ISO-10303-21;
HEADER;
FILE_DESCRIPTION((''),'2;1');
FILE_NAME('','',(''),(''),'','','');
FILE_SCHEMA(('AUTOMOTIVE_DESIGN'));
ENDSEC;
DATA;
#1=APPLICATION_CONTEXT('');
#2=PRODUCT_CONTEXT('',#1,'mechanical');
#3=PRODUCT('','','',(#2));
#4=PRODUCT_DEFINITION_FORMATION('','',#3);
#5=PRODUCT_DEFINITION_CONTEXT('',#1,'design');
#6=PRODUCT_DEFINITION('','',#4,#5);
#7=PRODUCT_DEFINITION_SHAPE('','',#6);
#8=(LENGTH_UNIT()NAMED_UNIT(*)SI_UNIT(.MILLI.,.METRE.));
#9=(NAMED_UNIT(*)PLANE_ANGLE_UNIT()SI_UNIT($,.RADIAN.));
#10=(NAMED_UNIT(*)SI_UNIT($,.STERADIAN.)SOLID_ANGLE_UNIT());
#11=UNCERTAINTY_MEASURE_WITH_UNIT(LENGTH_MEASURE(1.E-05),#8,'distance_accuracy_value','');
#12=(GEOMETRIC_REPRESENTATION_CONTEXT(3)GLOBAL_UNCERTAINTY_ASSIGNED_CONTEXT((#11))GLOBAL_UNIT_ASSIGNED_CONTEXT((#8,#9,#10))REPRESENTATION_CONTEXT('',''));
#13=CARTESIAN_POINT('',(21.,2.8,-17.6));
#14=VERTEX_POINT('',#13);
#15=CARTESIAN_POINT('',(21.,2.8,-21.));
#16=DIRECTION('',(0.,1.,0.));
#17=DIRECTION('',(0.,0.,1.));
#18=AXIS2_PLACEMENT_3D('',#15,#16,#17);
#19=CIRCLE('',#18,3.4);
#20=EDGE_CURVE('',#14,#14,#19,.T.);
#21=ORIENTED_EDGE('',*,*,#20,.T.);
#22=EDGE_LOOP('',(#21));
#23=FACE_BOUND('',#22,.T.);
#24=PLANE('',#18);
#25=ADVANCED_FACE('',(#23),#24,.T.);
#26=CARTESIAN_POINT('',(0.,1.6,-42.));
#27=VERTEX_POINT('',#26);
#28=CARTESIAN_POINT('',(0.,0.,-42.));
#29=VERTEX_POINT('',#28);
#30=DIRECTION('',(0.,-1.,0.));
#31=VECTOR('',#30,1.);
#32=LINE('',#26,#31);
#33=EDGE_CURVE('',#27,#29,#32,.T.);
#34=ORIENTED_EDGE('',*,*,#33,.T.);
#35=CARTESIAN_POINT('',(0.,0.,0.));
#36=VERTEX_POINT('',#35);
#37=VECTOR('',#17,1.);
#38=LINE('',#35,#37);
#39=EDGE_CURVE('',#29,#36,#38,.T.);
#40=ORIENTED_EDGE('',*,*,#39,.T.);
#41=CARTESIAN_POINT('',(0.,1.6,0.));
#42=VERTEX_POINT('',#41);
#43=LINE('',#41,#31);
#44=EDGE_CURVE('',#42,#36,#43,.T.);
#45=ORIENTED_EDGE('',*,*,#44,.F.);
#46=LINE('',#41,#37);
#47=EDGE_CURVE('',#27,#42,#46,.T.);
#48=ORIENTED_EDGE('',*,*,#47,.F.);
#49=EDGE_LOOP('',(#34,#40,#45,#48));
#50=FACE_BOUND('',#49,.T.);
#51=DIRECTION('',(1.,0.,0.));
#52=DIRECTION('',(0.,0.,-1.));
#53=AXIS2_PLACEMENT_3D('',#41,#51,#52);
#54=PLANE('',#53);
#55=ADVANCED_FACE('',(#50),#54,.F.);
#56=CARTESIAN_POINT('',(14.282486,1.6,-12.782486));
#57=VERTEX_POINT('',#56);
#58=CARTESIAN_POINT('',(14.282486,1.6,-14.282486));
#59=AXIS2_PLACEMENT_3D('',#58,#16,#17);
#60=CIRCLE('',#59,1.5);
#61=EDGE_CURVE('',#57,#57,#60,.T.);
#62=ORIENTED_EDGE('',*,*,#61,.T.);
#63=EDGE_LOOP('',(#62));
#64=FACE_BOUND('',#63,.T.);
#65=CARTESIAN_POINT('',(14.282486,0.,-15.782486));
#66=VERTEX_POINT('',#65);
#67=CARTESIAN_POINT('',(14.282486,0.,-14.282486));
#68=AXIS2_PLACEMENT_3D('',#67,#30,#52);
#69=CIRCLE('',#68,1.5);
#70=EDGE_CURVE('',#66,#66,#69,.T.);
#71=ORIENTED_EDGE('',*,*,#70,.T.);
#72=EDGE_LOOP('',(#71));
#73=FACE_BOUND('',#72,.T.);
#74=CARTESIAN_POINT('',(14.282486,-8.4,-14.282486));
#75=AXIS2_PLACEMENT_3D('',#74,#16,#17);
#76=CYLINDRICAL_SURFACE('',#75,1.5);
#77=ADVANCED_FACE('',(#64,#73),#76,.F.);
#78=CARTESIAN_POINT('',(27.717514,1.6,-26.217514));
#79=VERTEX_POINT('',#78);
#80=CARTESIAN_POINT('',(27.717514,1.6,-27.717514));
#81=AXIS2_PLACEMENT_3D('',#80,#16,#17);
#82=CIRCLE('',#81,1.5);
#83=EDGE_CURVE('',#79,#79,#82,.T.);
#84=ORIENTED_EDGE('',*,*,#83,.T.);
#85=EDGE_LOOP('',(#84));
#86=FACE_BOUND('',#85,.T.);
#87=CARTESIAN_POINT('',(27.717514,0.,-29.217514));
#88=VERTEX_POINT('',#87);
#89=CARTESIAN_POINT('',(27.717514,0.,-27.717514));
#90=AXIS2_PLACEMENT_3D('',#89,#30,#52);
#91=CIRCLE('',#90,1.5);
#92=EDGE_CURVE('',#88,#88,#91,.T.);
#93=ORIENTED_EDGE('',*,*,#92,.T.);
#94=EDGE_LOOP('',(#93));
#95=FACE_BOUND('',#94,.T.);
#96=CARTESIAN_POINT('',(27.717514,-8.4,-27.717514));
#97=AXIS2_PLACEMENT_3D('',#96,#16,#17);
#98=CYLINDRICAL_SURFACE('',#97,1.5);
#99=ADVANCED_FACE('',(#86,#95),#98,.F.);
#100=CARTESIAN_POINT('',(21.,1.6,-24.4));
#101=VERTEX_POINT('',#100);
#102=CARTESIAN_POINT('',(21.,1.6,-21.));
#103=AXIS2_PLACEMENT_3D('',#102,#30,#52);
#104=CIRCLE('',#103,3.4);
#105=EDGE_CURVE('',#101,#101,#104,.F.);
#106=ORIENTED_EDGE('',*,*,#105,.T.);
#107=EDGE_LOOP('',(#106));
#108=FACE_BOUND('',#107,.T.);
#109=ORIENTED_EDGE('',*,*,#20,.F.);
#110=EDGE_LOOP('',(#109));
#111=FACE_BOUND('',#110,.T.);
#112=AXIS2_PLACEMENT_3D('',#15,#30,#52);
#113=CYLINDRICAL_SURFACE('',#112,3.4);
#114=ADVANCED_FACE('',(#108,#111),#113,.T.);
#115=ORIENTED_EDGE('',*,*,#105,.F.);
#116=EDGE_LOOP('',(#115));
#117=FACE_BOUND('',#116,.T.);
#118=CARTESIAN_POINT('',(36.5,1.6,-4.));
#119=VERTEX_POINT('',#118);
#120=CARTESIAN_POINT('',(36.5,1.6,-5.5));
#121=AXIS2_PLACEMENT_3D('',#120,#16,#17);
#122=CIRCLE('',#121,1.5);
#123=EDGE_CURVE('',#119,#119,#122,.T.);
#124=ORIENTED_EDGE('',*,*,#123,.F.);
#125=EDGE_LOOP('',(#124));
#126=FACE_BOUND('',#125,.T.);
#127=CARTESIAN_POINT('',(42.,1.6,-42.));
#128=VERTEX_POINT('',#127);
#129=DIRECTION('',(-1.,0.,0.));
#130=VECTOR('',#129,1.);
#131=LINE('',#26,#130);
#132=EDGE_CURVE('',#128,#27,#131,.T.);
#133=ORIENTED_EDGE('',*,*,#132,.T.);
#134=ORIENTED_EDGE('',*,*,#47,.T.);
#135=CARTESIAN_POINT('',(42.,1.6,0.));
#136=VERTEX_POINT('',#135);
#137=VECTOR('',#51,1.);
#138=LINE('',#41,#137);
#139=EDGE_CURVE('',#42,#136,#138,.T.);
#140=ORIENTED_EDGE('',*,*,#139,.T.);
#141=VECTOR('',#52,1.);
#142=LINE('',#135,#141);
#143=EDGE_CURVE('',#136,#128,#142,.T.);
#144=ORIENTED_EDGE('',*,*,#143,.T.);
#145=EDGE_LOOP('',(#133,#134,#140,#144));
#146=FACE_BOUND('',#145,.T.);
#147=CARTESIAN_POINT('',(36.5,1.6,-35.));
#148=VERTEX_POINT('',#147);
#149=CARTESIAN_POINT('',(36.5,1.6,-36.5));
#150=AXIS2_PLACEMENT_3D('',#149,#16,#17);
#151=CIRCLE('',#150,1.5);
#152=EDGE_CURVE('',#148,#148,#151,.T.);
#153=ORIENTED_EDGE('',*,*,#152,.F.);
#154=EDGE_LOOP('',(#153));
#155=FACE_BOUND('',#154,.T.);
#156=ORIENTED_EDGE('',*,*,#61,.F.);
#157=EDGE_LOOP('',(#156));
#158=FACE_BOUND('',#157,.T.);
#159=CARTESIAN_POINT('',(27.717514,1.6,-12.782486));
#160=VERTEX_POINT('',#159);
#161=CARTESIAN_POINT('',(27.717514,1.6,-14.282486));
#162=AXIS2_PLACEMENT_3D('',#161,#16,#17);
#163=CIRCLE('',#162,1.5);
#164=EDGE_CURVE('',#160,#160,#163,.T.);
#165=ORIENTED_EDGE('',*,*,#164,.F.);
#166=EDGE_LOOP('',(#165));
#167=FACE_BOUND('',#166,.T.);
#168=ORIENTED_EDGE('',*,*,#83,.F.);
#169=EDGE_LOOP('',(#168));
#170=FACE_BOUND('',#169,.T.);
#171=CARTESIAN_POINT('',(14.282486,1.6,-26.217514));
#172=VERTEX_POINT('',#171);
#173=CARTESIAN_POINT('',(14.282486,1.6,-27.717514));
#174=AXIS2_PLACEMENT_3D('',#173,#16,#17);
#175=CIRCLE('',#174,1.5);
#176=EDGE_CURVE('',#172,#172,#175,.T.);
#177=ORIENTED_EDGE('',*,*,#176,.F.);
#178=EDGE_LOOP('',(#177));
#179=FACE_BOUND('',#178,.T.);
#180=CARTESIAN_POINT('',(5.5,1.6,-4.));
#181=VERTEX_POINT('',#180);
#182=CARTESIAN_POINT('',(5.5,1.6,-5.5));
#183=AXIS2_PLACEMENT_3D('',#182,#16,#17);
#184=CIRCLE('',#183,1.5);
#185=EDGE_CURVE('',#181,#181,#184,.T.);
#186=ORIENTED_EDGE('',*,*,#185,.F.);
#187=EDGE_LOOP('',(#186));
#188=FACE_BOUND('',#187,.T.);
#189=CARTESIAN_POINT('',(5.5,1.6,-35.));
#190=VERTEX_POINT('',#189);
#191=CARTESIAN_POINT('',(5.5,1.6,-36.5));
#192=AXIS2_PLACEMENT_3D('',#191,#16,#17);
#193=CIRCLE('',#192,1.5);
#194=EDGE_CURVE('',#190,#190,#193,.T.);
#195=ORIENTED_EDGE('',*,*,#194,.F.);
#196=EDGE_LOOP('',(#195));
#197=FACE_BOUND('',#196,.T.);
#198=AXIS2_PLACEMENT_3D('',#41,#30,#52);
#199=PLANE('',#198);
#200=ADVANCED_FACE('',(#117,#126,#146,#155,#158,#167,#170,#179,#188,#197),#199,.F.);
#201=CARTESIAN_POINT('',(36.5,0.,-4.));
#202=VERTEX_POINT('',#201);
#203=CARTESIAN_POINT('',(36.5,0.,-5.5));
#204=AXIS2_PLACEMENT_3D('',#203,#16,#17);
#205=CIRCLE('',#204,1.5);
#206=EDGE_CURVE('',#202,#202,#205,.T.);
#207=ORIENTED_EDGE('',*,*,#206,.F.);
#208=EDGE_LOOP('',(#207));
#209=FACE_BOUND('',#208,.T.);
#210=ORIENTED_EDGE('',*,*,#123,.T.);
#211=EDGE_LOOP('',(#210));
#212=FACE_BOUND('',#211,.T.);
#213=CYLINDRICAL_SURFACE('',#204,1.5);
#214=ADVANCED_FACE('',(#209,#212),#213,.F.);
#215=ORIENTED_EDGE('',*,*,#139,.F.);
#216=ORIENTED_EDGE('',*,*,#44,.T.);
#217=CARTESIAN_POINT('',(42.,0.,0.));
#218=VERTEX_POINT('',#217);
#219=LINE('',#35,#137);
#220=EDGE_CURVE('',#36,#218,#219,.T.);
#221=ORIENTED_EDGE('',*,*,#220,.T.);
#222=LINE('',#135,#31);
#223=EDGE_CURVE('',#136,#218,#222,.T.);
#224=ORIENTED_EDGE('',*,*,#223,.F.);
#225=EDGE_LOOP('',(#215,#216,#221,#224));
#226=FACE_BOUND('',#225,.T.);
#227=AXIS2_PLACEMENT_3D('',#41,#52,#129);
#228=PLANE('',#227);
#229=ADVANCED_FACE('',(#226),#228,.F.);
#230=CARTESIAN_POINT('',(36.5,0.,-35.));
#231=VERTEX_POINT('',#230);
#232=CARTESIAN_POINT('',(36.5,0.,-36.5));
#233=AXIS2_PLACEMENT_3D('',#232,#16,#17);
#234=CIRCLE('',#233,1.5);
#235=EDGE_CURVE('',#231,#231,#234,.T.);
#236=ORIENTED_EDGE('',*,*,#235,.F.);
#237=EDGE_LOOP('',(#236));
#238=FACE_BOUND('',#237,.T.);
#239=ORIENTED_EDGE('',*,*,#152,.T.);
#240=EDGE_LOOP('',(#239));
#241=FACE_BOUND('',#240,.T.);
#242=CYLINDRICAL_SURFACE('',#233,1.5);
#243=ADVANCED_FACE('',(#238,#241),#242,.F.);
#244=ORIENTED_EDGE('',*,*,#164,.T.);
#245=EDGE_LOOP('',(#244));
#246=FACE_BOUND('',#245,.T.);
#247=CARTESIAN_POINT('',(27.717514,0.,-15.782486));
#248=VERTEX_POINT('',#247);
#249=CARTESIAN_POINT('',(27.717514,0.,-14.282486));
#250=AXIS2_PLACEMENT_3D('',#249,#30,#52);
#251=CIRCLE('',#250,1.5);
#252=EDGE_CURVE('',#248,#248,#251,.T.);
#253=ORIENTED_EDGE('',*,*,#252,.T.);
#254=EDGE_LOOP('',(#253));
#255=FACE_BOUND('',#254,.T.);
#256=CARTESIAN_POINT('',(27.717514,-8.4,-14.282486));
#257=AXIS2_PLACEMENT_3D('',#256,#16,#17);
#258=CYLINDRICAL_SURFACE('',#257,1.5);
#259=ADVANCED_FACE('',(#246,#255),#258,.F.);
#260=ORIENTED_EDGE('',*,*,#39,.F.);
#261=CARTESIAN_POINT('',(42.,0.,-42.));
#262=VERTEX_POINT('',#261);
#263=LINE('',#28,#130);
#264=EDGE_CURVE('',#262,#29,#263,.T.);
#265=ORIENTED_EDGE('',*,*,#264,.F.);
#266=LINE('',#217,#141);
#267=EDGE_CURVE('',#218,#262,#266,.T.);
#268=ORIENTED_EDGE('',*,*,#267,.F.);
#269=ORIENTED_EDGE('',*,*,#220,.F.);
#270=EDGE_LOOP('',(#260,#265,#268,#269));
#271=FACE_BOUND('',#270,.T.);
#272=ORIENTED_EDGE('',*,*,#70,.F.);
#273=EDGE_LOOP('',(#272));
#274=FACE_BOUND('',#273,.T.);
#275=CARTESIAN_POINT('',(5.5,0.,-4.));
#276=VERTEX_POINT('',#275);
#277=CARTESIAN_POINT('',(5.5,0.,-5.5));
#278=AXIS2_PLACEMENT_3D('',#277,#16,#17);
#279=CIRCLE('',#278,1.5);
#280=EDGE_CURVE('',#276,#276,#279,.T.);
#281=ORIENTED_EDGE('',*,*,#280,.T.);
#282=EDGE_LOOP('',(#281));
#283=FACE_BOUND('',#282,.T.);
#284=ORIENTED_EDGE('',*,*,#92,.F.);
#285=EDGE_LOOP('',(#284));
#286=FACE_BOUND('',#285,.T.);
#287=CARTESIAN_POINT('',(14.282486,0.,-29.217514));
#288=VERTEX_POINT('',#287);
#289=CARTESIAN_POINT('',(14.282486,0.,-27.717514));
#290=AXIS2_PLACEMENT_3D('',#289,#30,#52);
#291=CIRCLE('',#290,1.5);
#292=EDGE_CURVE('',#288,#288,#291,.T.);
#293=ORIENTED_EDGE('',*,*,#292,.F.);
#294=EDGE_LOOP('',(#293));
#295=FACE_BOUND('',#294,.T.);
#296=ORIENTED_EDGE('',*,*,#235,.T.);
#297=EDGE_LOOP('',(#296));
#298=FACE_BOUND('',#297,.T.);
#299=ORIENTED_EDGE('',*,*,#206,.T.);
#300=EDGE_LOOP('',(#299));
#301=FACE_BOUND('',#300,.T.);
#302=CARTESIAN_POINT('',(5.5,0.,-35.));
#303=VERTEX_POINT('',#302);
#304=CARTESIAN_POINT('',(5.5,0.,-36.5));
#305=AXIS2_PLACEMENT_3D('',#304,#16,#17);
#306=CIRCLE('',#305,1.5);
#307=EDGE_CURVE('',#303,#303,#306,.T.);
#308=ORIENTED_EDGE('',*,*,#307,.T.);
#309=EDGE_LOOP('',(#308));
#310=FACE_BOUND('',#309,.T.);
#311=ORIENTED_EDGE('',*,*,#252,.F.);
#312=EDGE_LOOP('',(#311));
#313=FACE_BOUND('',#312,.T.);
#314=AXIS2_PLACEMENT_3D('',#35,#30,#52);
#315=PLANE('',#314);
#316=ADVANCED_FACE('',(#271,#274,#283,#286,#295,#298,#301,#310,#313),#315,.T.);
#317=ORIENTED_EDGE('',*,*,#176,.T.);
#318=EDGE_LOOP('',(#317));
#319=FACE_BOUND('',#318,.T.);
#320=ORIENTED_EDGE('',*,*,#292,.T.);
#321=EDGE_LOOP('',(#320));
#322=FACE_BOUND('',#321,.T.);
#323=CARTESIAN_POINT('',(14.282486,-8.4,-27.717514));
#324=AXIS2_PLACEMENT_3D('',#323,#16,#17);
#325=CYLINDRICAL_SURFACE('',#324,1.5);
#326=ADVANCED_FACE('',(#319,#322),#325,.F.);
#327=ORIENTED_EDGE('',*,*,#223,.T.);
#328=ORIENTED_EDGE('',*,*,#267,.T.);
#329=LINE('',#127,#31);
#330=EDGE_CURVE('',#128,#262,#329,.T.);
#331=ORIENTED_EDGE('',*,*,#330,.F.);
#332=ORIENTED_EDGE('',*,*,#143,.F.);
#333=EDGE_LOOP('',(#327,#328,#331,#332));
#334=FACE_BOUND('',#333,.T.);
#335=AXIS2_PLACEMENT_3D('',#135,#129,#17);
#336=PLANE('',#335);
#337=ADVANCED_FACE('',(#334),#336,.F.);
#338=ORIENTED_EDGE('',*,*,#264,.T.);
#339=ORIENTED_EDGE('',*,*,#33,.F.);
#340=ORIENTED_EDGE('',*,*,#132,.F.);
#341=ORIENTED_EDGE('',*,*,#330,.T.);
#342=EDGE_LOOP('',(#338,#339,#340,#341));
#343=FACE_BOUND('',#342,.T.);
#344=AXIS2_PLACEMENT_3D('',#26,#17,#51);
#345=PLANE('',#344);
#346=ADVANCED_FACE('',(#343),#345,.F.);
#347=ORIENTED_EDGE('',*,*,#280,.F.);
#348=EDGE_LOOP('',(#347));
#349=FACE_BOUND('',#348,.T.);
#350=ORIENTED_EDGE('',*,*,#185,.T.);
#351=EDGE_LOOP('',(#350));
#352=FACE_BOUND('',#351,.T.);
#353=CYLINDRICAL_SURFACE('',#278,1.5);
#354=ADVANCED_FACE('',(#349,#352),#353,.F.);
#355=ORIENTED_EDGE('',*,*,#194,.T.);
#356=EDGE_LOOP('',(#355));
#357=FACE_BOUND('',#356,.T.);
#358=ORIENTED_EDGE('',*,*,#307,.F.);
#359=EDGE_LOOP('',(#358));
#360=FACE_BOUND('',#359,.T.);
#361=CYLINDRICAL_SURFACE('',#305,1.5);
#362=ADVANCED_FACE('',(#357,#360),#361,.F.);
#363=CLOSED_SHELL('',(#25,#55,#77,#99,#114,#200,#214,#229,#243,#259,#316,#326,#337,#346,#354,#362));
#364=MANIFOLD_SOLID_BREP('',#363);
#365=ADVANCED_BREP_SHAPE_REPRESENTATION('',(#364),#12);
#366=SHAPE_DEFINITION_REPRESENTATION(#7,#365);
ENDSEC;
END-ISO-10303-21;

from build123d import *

# Parameters (mm, degrees)
SKETCH_1_W          = 42
SKETCH_1_H          = 42
EXTRUDE_1_DEPTH     = 1.6
SKETCH_2_R          = 1.5
CUT_EXTRUDE_1_DEPTH = 2.6
SKETCH_3_R          = 3.4
EXTRUDE_2_DEPTH     = 1.2
SKETCH_4_R          = 1.5
CUT_EXTRUDE_2_DEPTH = 10


with BuildPart() as part:
    # 草图1 → 凸台-拉伸1 (new body)
    with BuildSketch(Plane(origin=(0, 0, 0), x_dir=(1, 0, 0), z_dir=(0, 1, 0))):
        with Locations((21, 21)):
            Rectangle(SKETCH_1_W, SKETCH_1_H)
    extrude(amount=EXTRUDE_1_DEPTH)

    # 草图2 → 切除-拉伸1 (cut, through all)
    with BuildSketch(Plane(origin=(0, 1.6, 0), x_dir=(1, 0, 0), z_dir=(0, 1, 0))):
        with Locations((5.5, 36.5)):
            Circle(SKETCH_2_R)
        with Locations((36.5, 36.5)):
            Circle(SKETCH_2_R)
        with Locations((5.5, 5.5)):
            Circle(SKETCH_2_R)
        with Locations((36.5, 5.5)):
            Circle(SKETCH_2_R)
    extrude(amount=-CUT_EXTRUDE_1_DEPTH, mode=Mode.SUBTRACT)

    # 草图3 → 凸台-拉伸2 (add)
    with BuildSketch(Plane(origin=(0, 1.6, 0), x_dir=(1, 0, 0), z_dir=(0, 1, 0))):
        with Locations((21, 21)):
            Circle(SKETCH_3_R)
    extrude(amount=EXTRUDE_2_DEPTH)

    # 草图4 → 切除-拉伸2 (cut)
    with BuildSketch(Plane(origin=(0, 1.6, 0), x_dir=(1, 0, 0), z_dir=(0, 1, 0))):
        with Locations((14.282485579, 27.717514421)):
            Circle(SKETCH_4_R)
        with Locations((27.717514421, 27.717514421)):
            Circle(SKETCH_4_R)
        with Locations((14.282485579, 14.282485579)):
            Circle(SKETCH_4_R)
        with Locations((27.717514421, 14.282485579)):
            Circle(SKETCH_4_R)
    extrude(amount=-CUT_EXTRUDE_2_DEPTH, mode=Mode.SUBTRACT)


solid = part.part
